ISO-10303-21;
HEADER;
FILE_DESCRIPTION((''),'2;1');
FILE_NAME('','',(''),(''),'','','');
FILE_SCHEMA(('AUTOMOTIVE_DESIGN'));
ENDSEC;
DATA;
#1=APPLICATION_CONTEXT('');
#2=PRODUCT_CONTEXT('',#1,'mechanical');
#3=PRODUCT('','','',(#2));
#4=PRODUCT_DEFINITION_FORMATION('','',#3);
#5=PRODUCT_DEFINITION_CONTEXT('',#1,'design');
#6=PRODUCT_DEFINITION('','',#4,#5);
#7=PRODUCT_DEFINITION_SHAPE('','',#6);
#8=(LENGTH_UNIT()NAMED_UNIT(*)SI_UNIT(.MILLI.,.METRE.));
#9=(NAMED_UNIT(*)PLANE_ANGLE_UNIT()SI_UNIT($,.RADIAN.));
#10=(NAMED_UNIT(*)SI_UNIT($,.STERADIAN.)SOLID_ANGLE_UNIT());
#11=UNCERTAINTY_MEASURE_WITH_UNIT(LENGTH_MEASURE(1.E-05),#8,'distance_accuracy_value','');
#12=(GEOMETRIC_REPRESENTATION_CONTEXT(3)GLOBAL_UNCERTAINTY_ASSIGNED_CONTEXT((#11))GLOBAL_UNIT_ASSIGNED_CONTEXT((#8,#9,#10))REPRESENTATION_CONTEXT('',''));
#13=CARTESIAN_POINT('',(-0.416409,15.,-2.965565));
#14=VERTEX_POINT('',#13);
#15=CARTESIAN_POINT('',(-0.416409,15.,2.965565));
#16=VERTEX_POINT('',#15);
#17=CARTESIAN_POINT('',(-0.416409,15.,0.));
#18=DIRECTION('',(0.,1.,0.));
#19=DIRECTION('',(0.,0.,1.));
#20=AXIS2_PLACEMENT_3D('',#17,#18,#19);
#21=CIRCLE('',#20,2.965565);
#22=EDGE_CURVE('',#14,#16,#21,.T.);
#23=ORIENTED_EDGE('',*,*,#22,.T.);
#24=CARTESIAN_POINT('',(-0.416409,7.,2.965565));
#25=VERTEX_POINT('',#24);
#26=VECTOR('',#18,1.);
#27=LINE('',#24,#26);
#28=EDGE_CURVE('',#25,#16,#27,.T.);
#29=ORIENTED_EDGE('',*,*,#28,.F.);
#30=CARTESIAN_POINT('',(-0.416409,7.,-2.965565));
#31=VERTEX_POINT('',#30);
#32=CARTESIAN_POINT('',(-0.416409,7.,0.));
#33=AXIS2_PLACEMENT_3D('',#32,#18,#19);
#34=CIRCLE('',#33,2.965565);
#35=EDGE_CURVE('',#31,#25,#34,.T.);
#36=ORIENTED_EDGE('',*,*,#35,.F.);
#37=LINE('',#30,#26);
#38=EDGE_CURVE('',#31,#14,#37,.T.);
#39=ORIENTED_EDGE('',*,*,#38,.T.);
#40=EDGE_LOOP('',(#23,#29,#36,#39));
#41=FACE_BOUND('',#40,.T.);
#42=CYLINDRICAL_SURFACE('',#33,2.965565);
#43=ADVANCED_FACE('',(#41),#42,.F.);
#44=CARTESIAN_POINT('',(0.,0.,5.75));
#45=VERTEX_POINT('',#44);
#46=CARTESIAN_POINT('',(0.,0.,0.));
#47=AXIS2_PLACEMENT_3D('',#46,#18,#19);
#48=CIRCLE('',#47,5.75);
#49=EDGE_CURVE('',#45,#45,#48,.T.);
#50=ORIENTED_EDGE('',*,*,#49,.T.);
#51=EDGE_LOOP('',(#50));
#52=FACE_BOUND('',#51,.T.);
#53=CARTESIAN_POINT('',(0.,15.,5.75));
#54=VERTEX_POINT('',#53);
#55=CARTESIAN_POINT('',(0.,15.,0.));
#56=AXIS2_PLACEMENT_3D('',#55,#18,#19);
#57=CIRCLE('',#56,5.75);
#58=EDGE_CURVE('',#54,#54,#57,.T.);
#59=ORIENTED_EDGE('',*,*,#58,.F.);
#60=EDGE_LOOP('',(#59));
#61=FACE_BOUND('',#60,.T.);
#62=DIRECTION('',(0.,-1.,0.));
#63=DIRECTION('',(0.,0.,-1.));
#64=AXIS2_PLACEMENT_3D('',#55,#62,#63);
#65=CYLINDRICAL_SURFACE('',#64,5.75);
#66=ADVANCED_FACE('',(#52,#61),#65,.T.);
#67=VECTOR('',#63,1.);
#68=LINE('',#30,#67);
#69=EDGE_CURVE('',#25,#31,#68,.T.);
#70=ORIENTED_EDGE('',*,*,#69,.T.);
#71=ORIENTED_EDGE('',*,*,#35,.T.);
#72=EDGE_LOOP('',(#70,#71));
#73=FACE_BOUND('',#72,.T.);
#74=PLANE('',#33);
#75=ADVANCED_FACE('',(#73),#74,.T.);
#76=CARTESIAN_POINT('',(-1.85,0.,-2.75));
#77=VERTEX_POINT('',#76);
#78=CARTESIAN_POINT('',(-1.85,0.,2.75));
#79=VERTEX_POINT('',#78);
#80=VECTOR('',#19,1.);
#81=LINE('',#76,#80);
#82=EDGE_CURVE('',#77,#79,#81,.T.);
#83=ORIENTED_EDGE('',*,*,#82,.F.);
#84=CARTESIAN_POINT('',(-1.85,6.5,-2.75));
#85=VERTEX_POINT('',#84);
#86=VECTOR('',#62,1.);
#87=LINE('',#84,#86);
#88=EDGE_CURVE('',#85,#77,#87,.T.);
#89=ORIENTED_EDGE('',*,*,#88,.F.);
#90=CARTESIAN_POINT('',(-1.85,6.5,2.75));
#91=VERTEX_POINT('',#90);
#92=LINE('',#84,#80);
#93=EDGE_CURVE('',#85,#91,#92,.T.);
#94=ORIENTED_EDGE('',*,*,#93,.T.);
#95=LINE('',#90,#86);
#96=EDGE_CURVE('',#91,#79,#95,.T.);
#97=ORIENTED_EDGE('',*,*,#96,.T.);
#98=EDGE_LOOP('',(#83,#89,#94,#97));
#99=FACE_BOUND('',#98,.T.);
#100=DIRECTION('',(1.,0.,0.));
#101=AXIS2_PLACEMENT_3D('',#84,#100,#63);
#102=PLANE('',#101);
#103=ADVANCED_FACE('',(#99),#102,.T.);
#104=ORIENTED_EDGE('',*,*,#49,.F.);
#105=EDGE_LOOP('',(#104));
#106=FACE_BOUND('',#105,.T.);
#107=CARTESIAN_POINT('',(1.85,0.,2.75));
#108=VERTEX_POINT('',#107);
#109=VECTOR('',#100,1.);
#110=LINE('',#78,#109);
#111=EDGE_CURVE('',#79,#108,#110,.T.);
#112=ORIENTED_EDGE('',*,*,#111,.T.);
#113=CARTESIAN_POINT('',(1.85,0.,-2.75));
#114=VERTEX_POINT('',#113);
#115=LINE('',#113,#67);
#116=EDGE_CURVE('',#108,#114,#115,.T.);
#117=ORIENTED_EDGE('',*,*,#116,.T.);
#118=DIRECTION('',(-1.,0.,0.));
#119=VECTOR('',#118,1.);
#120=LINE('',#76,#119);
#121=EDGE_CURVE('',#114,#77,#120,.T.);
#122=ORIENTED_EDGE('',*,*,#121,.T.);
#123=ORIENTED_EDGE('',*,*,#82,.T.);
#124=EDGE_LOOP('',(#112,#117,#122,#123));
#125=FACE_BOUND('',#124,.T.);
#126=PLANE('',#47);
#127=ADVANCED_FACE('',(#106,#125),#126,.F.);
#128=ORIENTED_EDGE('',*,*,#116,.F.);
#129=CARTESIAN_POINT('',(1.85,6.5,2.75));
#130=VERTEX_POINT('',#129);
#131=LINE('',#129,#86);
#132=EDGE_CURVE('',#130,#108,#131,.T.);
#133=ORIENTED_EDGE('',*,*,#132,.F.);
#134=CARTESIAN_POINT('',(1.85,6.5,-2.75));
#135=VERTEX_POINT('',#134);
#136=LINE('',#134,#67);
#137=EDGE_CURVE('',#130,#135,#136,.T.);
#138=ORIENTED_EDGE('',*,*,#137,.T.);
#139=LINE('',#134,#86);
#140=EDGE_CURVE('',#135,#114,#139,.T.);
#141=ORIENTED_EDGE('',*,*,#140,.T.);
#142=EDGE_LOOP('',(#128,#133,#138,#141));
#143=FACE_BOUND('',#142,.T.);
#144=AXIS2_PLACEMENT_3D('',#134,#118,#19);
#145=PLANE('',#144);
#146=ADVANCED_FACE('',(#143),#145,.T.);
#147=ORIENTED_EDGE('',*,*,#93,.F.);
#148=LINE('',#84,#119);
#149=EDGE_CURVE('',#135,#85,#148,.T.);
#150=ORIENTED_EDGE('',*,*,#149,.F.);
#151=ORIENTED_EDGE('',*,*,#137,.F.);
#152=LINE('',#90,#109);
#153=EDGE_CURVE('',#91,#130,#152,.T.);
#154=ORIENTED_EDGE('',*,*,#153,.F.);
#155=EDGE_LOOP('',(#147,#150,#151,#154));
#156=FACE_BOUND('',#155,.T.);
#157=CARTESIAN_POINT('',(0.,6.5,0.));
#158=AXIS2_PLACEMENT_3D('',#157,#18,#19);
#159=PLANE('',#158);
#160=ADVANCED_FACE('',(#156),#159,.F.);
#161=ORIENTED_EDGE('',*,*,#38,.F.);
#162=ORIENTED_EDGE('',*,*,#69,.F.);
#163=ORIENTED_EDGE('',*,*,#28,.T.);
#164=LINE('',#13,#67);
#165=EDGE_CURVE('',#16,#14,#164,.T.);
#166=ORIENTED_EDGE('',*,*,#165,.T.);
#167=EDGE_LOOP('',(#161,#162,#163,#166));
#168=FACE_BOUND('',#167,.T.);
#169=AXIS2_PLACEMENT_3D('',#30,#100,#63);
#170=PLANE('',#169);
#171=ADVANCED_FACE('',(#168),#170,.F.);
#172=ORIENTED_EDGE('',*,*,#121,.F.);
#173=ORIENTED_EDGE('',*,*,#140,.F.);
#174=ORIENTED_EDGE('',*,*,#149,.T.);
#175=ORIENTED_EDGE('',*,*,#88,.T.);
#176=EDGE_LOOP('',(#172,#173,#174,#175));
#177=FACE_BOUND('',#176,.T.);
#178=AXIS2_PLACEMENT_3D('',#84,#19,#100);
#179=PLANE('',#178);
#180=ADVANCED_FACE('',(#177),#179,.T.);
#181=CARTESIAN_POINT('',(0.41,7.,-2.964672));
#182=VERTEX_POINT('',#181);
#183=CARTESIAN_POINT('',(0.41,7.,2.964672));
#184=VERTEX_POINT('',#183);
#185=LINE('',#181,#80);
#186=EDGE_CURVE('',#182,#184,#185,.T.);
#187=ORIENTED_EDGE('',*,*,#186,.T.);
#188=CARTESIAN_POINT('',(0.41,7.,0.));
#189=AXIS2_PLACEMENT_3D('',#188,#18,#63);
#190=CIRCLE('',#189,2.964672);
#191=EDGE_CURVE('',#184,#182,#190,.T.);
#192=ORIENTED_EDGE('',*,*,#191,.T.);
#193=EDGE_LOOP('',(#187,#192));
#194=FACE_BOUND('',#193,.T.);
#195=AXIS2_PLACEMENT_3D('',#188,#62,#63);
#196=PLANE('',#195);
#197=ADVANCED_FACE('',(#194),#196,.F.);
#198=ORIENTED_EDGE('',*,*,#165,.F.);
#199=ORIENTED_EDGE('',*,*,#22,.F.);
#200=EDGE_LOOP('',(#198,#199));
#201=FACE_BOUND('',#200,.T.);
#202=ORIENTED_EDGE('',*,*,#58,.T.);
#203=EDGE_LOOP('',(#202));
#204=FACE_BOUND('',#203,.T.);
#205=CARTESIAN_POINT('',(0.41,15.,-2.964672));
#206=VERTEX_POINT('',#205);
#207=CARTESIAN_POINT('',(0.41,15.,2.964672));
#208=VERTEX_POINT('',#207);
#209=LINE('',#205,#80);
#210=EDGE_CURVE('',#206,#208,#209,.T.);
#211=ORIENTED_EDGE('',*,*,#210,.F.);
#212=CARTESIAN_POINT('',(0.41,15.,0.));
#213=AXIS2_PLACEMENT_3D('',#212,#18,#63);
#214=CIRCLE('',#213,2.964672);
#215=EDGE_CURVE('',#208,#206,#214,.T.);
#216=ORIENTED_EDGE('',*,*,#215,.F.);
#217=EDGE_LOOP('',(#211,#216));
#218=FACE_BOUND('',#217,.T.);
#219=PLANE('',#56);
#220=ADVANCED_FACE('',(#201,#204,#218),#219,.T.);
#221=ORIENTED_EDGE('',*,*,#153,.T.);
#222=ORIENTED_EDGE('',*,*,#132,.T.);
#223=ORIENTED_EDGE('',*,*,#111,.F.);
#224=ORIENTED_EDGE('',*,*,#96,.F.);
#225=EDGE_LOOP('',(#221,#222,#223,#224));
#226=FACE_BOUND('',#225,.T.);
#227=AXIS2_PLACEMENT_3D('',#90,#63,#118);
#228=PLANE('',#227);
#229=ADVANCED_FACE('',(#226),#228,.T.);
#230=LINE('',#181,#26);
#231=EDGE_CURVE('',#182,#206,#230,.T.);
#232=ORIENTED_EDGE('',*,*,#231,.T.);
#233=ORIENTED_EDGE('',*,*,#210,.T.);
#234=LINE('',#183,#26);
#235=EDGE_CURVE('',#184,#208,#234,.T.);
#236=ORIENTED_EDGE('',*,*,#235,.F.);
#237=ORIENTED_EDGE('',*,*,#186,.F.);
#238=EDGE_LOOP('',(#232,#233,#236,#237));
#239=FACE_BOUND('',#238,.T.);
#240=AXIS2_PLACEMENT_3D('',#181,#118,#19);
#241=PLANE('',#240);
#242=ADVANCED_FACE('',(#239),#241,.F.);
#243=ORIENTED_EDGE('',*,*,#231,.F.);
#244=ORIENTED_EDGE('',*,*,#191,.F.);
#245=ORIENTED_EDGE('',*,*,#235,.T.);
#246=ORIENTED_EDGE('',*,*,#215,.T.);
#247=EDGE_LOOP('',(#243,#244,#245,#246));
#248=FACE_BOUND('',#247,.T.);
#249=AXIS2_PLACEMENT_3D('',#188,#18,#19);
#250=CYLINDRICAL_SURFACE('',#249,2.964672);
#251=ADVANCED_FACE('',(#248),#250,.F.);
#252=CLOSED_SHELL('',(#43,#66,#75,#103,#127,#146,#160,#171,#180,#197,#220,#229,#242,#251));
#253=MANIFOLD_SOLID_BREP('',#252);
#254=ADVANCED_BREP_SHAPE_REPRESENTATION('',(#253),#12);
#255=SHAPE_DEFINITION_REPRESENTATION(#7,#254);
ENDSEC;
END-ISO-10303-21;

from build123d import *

# Parameters (mm, degrees)
SKETCH1_R           = 5.75
BOSS_EXTRUDE1_DEPTH = 15
CUT_EXTRUDE3_DEPTH  = 8
SKETCH7_W           = 3.7
SKETCH7_H           = 5.5
CUT_EXTRUDE4_DEPTH  = 6.5


with BuildPart() as part:
    # Sketch1 → Boss-Extrude1 (new body)
    with BuildSketch(Plane(origin=(0, 0, 0), x_dir=(1, 0, 0), z_dir=(0, 1, 0))):
        with Locations(Location((0, 0, 0), (0, 0, 270))):
            Circle(SKETCH1_R)
    extrude(amount=BOSS_EXTRUDE1_DEPTH)

    # Sketch6 → Cut-Extrude3 (cut)
    with BuildSketch(Plane(origin=(0, 15, 0), x_dir=(1, 0, 0), z_dir=(0, 1, 0))):
        with BuildLine():
            Line((0.41, 2.964671599), (0.41, -2.964671599))
            ThreePointArc((0.41, -2.964671599), (3.374671599, 0), (0.41, 2.964671599))
        make_face()
        with BuildLine():
            Line((-0.416408681, 2.965564682), (-0.416408681, -2.965564682))
            ThreePointArc((-0.416408681, -2.965564682), (-3.381973363, 0), (-0.416408681, 2.965564682))
        make_face()
    extrude(amount=-CUT_EXTRUDE3_DEPTH, mode=Mode.SUBTRACT)

    # Sketch7 → Cut-Extrude4 (cut)
    with BuildSketch(Plane(origin=(0, 0, 0), x_dir=(1, 0, 0), z_dir=(0, 1, 0))):
        Rectangle(SKETCH7_W, SKETCH7_H)
    extrude(amount=CUT_EXTRUDE4_DEPTH, mode=Mode.SUBTRACT)


solid = part.part
